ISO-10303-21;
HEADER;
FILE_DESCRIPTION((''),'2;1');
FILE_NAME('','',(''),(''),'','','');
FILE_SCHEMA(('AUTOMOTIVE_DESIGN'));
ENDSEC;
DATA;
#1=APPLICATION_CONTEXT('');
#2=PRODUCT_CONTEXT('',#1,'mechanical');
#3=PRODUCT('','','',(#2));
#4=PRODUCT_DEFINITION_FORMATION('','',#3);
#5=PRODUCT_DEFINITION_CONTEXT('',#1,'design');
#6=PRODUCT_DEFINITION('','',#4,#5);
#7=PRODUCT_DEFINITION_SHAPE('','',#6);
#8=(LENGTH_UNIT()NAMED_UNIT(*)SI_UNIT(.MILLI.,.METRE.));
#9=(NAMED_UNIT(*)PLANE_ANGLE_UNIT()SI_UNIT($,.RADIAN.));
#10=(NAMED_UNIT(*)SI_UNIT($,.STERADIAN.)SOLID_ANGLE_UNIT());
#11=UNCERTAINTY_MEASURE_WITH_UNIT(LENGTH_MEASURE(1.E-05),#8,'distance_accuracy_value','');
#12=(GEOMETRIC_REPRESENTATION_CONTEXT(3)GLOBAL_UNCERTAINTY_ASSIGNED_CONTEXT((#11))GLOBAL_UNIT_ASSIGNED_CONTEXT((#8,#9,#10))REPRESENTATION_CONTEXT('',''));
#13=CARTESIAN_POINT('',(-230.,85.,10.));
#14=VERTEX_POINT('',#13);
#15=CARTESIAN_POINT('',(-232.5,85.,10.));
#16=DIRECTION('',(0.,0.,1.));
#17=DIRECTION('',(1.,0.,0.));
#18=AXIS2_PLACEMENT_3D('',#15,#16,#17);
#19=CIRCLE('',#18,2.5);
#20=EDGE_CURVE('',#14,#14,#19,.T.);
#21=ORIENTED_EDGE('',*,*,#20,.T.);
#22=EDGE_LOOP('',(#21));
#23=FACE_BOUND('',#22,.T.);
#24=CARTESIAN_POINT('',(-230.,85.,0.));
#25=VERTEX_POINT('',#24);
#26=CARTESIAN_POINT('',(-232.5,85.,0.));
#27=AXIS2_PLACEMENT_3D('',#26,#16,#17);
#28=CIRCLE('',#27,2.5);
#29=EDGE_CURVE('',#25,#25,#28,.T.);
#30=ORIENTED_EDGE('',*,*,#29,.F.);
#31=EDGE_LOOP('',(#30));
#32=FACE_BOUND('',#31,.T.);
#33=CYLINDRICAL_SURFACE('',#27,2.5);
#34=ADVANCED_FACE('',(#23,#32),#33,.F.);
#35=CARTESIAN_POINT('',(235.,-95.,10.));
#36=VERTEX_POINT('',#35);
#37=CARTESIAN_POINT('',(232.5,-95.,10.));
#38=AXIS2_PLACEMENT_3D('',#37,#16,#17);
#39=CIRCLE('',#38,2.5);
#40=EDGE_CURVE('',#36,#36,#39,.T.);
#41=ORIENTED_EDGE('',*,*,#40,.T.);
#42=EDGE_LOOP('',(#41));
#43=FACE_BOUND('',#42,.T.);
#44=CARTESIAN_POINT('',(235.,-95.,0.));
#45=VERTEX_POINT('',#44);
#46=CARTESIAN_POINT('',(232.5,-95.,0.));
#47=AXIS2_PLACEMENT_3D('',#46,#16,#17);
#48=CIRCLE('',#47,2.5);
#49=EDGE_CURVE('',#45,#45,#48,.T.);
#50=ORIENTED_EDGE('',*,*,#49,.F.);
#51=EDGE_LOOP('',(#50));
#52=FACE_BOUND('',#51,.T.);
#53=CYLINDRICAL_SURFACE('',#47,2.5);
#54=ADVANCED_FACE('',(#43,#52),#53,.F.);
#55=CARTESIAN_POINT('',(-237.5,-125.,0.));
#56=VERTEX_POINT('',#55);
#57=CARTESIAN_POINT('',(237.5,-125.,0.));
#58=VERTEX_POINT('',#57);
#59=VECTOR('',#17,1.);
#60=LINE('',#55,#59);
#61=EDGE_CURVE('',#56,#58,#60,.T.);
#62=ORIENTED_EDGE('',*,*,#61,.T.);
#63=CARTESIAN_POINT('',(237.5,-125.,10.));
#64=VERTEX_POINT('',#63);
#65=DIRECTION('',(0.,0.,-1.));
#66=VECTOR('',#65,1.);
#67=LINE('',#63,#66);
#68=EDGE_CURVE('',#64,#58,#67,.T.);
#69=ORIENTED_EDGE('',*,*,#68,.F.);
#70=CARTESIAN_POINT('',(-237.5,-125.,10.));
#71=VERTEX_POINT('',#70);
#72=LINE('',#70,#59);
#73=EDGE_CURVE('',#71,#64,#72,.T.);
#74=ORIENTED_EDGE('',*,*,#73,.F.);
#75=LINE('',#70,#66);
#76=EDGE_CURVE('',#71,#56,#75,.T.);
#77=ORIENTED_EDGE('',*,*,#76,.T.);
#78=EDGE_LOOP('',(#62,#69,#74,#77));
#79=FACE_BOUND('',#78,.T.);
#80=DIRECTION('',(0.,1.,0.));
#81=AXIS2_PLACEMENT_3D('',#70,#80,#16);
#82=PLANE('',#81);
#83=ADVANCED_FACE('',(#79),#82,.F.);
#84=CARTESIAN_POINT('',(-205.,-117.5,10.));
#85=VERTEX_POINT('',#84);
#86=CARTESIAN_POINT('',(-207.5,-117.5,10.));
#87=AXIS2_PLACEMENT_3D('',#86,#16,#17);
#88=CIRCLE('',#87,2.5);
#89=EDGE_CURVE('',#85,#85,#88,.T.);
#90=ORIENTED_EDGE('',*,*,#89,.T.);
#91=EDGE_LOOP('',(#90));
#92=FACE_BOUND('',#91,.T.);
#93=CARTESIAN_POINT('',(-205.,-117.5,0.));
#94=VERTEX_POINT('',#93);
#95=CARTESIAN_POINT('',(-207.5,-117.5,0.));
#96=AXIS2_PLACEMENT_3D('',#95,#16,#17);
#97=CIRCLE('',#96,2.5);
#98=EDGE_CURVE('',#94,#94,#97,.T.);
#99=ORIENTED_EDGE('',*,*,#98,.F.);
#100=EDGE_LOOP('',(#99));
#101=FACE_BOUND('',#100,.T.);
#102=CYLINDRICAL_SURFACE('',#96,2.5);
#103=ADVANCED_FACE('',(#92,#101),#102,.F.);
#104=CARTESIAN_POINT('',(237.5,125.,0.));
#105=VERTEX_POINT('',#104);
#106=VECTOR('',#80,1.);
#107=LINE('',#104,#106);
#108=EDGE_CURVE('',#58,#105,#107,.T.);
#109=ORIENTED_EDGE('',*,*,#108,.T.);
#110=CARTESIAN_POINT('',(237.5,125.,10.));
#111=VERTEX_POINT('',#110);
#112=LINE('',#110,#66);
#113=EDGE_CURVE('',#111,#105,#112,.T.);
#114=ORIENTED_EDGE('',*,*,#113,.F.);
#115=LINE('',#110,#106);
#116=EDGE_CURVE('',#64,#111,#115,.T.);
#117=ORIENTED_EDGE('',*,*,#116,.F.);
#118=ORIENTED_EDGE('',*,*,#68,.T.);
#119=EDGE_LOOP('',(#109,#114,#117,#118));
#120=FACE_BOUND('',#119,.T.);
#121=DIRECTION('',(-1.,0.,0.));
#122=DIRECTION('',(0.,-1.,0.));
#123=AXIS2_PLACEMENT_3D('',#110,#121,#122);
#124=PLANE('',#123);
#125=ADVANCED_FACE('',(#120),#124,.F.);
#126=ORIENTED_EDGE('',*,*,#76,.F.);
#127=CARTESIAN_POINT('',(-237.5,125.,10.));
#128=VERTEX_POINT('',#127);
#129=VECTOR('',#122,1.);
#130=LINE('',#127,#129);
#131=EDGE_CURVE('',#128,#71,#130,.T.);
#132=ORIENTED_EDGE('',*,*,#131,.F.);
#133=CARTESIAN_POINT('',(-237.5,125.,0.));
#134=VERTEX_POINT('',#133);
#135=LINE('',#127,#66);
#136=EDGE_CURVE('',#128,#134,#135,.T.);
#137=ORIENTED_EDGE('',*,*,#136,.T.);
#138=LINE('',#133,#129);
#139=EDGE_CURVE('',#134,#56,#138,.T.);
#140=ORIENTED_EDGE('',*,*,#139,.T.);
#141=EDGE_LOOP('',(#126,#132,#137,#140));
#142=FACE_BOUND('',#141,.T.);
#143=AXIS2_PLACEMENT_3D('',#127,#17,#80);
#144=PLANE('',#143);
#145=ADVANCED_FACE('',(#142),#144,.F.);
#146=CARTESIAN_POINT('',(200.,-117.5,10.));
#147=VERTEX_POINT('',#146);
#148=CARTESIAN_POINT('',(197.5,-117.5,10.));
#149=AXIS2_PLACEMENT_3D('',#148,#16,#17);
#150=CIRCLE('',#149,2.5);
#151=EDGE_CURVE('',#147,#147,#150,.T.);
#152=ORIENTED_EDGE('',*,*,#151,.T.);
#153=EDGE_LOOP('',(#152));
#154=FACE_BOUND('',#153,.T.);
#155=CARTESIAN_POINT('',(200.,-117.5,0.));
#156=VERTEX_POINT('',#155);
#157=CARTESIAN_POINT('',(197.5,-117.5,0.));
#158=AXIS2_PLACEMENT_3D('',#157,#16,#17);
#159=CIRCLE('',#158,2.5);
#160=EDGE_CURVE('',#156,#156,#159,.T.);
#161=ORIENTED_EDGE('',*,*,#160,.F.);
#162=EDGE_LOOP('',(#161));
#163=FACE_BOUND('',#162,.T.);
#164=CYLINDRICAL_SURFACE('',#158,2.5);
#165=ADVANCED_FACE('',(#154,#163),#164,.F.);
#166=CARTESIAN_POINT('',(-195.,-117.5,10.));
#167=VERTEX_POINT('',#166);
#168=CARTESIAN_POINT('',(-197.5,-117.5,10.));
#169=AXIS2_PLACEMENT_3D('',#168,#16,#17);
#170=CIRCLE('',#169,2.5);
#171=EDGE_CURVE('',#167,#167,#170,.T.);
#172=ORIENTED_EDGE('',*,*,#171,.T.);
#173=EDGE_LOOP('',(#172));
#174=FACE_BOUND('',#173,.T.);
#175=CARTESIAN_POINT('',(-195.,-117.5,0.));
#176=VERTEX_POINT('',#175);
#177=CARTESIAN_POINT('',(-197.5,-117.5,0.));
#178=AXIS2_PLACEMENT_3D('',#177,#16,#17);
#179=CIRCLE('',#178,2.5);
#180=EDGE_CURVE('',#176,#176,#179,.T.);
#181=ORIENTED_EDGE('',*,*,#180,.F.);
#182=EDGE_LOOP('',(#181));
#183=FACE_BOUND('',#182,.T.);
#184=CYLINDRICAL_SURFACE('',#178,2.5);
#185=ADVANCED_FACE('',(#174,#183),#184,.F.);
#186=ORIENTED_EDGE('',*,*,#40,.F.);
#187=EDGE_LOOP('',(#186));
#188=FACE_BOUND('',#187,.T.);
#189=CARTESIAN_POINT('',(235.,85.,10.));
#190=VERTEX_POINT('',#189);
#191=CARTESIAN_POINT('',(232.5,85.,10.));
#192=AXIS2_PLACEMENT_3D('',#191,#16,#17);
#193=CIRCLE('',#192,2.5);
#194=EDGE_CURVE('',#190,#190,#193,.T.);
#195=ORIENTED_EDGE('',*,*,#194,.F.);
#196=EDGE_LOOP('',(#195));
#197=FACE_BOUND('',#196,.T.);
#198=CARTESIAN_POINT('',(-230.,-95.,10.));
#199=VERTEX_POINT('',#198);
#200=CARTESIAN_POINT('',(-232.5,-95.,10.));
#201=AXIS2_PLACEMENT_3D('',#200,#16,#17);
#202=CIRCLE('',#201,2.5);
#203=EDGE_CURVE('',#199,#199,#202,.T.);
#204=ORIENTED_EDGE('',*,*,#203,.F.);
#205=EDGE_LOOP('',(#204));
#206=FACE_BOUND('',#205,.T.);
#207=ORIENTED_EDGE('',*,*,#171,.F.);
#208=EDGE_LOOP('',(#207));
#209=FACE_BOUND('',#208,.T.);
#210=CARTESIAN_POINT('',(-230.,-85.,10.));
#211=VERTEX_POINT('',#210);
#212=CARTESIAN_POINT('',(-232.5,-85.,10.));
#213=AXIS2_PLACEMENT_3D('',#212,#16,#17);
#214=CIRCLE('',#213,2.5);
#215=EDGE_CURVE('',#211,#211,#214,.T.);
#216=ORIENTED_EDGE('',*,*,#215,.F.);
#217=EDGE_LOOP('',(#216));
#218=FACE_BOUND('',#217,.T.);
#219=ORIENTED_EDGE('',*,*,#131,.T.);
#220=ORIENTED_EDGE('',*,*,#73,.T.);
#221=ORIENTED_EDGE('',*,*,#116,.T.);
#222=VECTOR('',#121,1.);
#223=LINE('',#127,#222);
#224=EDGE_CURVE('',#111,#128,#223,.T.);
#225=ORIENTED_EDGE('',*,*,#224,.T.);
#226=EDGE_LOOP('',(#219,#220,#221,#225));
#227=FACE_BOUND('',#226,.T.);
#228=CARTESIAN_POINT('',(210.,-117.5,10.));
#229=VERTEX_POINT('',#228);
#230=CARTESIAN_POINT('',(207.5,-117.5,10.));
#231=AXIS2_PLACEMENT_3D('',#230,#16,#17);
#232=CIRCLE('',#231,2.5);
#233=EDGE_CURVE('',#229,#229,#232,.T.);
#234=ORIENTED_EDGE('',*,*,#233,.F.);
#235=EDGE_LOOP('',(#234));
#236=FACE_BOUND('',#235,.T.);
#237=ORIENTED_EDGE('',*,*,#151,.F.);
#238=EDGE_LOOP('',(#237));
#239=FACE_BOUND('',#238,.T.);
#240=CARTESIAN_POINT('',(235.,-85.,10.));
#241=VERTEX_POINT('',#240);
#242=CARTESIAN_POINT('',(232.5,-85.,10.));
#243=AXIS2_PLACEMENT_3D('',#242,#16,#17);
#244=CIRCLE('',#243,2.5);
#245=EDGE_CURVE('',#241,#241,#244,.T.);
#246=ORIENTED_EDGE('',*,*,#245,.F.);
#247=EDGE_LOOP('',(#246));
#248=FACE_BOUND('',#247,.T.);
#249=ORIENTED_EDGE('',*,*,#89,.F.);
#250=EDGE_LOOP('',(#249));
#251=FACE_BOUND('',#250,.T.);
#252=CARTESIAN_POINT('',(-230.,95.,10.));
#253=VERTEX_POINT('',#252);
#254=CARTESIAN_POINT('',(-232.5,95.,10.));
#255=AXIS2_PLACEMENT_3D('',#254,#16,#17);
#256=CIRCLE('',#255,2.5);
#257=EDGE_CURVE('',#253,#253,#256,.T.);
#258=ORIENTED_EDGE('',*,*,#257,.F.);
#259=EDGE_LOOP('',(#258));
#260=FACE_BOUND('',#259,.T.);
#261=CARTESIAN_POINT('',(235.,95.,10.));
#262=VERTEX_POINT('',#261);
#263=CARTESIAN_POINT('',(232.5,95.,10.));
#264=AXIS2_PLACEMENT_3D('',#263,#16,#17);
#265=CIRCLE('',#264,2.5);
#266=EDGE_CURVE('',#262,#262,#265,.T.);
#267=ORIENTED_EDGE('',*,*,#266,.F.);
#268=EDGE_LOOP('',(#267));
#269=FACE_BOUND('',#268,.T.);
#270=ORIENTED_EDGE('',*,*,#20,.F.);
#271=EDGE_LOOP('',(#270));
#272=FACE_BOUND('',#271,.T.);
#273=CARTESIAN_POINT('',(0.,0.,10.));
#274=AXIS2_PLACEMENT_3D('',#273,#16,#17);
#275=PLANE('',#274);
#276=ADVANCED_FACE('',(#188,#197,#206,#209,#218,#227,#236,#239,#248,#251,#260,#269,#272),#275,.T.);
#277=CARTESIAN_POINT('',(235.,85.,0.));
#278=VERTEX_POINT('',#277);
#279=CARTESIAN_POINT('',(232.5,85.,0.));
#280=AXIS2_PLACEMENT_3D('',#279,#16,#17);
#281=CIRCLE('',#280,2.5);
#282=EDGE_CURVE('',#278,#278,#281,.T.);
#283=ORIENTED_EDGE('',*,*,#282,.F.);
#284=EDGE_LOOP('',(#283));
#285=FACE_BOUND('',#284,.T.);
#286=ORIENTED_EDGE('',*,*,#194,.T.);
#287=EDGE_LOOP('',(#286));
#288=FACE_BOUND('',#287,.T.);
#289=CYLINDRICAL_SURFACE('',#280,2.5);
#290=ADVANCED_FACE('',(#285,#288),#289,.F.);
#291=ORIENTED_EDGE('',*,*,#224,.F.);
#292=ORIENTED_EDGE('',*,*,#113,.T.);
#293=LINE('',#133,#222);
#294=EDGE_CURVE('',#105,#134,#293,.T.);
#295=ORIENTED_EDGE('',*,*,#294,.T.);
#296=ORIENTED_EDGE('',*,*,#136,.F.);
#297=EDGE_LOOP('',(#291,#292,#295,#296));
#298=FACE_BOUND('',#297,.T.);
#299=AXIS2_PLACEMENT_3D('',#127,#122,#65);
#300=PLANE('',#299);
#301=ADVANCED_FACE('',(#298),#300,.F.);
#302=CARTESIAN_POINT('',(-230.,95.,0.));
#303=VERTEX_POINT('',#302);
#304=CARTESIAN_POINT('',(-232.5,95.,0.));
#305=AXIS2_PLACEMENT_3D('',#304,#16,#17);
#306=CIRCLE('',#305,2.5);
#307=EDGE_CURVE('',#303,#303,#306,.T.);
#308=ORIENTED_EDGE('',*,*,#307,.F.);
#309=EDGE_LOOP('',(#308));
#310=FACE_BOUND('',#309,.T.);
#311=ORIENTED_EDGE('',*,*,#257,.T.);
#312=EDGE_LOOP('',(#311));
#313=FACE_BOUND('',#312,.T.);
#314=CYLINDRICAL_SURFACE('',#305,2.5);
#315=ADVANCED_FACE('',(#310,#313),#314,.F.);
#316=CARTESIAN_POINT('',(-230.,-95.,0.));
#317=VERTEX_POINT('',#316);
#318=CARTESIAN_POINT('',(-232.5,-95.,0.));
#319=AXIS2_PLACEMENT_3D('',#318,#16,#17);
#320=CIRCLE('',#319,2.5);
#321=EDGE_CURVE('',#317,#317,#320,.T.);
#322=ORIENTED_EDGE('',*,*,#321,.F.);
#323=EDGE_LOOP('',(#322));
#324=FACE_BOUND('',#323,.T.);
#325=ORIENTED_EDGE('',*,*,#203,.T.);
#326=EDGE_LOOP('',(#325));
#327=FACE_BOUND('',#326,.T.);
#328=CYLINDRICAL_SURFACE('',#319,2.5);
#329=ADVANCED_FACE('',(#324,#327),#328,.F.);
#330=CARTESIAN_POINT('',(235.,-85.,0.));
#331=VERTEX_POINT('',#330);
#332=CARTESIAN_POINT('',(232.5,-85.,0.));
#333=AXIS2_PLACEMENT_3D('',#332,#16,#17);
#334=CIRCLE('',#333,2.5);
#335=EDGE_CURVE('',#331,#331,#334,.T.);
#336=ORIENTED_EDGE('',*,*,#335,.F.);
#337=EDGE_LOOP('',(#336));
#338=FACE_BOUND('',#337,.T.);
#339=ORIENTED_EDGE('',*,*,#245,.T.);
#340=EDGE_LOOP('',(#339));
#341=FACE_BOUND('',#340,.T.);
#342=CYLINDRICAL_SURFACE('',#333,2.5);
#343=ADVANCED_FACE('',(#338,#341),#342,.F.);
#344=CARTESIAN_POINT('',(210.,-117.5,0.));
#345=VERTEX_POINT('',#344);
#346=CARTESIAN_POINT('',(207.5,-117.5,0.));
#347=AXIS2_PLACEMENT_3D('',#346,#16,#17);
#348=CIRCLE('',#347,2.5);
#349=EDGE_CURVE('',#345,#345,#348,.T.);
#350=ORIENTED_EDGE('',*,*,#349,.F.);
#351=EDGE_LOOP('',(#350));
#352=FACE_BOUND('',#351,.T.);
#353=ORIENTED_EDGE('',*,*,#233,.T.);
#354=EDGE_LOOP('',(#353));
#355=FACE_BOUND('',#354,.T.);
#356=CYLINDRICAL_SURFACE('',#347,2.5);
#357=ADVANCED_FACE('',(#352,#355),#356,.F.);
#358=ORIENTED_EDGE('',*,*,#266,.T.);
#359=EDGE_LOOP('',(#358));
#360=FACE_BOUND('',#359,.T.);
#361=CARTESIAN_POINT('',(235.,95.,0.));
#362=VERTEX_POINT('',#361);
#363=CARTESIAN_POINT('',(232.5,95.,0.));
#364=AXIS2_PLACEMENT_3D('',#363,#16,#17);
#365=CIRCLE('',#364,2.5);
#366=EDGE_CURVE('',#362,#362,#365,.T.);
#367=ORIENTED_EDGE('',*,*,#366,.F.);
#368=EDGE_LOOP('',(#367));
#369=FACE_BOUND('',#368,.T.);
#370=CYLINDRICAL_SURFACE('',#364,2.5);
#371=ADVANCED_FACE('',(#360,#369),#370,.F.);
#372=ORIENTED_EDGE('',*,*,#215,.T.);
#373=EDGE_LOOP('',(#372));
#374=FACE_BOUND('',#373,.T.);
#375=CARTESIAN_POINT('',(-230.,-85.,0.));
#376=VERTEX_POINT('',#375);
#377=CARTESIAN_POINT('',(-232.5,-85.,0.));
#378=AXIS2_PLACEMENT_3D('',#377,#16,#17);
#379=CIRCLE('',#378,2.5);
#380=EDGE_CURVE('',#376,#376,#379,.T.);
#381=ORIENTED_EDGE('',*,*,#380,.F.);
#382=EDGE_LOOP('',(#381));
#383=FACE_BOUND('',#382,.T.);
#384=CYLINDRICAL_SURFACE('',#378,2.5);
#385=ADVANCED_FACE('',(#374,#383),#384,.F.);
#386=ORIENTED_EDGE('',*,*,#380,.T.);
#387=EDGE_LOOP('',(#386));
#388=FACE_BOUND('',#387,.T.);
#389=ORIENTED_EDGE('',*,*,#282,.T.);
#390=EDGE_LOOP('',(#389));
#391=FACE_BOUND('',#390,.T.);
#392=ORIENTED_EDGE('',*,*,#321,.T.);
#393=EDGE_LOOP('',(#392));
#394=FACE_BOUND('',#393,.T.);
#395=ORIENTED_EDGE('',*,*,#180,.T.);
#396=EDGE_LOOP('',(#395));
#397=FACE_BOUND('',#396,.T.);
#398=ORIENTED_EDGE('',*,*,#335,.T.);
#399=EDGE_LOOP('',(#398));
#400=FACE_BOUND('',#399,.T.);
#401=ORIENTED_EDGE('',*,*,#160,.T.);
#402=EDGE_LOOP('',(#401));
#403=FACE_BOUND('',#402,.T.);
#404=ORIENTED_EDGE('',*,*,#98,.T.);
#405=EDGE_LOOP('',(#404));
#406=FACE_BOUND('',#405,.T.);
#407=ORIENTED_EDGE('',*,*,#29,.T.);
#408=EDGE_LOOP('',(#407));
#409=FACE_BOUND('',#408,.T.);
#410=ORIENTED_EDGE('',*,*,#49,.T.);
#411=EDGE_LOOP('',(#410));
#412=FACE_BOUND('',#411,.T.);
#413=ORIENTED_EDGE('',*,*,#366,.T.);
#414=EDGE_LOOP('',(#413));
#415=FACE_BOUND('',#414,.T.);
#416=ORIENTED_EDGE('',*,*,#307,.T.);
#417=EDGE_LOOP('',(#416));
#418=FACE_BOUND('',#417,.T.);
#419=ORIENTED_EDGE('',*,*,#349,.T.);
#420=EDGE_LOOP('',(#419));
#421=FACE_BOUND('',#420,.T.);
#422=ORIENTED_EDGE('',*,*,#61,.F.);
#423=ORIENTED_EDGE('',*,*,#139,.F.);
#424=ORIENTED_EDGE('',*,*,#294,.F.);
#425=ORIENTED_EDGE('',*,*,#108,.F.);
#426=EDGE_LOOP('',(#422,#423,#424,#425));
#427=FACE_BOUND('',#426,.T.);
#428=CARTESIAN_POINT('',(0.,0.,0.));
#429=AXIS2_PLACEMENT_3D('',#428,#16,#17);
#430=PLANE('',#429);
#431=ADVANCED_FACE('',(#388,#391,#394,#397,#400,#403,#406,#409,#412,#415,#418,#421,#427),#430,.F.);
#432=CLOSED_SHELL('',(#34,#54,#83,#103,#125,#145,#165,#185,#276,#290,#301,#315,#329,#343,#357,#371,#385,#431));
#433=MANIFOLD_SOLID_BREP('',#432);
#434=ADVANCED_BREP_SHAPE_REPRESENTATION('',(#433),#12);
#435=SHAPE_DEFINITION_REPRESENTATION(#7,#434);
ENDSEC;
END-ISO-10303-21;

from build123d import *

# Parameters (mm, degrees)
SKETCH1_W           = 475
SKETCH1_H           = 250
BOSS_EXTRUDE1_DEPTH = 10
SKETCH2_R           = 2.5
CUT_EXTRUDE1_DEPTH  = 269.572615879


with BuildPart() as part:
    # Sketch1 → Boss-Extrude1 (new body)
    with BuildSketch(Plane.XY):
        Rectangle(SKETCH1_W, SKETCH1_H)
    extrude(amount=BOSS_EXTRUDE1_DEPTH)

    # Sketch2 → Cut-Extrude1 (cut, through all)
    with BuildSketch(Plane.XY.offset(10)):
        with Locations((-232.5, 95)):
            Circle(SKETCH2_R)
        with Locations((-232.5, 85)):
            Circle(SKETCH2_R)
        with Locations((-207.5, -117.5)):
            Circle(SKETCH2_R)
        with Locations((-197.5, -117.5)):
            Circle(SKETCH2_R)
        with Locations((197.5, -117.5)):
            Circle(SKETCH2_R)
        with Locations((207.5, -117.5)):
            Circle(SKETCH2_R)
        with Locations((232.5, 95)):
            Circle(SKETCH2_R)
        with Locations((232.5, 85)):
            Circle(SKETCH2_R)
        with Locations((232.5, -85)):
            Circle(SKETCH2_R)
        with Locations((232.5, -95)):
            Circle(SKETCH2_R)
        with Locations((-232.5, -85)):
            Circle(SKETCH2_R)
        with Locations((-232.5, -95)):
            Circle(SKETCH2_R)
    extrude(amount=-CUT_EXTRUDE1_DEPTH, mode=Mode.SUBTRACT)


solid = part.part
